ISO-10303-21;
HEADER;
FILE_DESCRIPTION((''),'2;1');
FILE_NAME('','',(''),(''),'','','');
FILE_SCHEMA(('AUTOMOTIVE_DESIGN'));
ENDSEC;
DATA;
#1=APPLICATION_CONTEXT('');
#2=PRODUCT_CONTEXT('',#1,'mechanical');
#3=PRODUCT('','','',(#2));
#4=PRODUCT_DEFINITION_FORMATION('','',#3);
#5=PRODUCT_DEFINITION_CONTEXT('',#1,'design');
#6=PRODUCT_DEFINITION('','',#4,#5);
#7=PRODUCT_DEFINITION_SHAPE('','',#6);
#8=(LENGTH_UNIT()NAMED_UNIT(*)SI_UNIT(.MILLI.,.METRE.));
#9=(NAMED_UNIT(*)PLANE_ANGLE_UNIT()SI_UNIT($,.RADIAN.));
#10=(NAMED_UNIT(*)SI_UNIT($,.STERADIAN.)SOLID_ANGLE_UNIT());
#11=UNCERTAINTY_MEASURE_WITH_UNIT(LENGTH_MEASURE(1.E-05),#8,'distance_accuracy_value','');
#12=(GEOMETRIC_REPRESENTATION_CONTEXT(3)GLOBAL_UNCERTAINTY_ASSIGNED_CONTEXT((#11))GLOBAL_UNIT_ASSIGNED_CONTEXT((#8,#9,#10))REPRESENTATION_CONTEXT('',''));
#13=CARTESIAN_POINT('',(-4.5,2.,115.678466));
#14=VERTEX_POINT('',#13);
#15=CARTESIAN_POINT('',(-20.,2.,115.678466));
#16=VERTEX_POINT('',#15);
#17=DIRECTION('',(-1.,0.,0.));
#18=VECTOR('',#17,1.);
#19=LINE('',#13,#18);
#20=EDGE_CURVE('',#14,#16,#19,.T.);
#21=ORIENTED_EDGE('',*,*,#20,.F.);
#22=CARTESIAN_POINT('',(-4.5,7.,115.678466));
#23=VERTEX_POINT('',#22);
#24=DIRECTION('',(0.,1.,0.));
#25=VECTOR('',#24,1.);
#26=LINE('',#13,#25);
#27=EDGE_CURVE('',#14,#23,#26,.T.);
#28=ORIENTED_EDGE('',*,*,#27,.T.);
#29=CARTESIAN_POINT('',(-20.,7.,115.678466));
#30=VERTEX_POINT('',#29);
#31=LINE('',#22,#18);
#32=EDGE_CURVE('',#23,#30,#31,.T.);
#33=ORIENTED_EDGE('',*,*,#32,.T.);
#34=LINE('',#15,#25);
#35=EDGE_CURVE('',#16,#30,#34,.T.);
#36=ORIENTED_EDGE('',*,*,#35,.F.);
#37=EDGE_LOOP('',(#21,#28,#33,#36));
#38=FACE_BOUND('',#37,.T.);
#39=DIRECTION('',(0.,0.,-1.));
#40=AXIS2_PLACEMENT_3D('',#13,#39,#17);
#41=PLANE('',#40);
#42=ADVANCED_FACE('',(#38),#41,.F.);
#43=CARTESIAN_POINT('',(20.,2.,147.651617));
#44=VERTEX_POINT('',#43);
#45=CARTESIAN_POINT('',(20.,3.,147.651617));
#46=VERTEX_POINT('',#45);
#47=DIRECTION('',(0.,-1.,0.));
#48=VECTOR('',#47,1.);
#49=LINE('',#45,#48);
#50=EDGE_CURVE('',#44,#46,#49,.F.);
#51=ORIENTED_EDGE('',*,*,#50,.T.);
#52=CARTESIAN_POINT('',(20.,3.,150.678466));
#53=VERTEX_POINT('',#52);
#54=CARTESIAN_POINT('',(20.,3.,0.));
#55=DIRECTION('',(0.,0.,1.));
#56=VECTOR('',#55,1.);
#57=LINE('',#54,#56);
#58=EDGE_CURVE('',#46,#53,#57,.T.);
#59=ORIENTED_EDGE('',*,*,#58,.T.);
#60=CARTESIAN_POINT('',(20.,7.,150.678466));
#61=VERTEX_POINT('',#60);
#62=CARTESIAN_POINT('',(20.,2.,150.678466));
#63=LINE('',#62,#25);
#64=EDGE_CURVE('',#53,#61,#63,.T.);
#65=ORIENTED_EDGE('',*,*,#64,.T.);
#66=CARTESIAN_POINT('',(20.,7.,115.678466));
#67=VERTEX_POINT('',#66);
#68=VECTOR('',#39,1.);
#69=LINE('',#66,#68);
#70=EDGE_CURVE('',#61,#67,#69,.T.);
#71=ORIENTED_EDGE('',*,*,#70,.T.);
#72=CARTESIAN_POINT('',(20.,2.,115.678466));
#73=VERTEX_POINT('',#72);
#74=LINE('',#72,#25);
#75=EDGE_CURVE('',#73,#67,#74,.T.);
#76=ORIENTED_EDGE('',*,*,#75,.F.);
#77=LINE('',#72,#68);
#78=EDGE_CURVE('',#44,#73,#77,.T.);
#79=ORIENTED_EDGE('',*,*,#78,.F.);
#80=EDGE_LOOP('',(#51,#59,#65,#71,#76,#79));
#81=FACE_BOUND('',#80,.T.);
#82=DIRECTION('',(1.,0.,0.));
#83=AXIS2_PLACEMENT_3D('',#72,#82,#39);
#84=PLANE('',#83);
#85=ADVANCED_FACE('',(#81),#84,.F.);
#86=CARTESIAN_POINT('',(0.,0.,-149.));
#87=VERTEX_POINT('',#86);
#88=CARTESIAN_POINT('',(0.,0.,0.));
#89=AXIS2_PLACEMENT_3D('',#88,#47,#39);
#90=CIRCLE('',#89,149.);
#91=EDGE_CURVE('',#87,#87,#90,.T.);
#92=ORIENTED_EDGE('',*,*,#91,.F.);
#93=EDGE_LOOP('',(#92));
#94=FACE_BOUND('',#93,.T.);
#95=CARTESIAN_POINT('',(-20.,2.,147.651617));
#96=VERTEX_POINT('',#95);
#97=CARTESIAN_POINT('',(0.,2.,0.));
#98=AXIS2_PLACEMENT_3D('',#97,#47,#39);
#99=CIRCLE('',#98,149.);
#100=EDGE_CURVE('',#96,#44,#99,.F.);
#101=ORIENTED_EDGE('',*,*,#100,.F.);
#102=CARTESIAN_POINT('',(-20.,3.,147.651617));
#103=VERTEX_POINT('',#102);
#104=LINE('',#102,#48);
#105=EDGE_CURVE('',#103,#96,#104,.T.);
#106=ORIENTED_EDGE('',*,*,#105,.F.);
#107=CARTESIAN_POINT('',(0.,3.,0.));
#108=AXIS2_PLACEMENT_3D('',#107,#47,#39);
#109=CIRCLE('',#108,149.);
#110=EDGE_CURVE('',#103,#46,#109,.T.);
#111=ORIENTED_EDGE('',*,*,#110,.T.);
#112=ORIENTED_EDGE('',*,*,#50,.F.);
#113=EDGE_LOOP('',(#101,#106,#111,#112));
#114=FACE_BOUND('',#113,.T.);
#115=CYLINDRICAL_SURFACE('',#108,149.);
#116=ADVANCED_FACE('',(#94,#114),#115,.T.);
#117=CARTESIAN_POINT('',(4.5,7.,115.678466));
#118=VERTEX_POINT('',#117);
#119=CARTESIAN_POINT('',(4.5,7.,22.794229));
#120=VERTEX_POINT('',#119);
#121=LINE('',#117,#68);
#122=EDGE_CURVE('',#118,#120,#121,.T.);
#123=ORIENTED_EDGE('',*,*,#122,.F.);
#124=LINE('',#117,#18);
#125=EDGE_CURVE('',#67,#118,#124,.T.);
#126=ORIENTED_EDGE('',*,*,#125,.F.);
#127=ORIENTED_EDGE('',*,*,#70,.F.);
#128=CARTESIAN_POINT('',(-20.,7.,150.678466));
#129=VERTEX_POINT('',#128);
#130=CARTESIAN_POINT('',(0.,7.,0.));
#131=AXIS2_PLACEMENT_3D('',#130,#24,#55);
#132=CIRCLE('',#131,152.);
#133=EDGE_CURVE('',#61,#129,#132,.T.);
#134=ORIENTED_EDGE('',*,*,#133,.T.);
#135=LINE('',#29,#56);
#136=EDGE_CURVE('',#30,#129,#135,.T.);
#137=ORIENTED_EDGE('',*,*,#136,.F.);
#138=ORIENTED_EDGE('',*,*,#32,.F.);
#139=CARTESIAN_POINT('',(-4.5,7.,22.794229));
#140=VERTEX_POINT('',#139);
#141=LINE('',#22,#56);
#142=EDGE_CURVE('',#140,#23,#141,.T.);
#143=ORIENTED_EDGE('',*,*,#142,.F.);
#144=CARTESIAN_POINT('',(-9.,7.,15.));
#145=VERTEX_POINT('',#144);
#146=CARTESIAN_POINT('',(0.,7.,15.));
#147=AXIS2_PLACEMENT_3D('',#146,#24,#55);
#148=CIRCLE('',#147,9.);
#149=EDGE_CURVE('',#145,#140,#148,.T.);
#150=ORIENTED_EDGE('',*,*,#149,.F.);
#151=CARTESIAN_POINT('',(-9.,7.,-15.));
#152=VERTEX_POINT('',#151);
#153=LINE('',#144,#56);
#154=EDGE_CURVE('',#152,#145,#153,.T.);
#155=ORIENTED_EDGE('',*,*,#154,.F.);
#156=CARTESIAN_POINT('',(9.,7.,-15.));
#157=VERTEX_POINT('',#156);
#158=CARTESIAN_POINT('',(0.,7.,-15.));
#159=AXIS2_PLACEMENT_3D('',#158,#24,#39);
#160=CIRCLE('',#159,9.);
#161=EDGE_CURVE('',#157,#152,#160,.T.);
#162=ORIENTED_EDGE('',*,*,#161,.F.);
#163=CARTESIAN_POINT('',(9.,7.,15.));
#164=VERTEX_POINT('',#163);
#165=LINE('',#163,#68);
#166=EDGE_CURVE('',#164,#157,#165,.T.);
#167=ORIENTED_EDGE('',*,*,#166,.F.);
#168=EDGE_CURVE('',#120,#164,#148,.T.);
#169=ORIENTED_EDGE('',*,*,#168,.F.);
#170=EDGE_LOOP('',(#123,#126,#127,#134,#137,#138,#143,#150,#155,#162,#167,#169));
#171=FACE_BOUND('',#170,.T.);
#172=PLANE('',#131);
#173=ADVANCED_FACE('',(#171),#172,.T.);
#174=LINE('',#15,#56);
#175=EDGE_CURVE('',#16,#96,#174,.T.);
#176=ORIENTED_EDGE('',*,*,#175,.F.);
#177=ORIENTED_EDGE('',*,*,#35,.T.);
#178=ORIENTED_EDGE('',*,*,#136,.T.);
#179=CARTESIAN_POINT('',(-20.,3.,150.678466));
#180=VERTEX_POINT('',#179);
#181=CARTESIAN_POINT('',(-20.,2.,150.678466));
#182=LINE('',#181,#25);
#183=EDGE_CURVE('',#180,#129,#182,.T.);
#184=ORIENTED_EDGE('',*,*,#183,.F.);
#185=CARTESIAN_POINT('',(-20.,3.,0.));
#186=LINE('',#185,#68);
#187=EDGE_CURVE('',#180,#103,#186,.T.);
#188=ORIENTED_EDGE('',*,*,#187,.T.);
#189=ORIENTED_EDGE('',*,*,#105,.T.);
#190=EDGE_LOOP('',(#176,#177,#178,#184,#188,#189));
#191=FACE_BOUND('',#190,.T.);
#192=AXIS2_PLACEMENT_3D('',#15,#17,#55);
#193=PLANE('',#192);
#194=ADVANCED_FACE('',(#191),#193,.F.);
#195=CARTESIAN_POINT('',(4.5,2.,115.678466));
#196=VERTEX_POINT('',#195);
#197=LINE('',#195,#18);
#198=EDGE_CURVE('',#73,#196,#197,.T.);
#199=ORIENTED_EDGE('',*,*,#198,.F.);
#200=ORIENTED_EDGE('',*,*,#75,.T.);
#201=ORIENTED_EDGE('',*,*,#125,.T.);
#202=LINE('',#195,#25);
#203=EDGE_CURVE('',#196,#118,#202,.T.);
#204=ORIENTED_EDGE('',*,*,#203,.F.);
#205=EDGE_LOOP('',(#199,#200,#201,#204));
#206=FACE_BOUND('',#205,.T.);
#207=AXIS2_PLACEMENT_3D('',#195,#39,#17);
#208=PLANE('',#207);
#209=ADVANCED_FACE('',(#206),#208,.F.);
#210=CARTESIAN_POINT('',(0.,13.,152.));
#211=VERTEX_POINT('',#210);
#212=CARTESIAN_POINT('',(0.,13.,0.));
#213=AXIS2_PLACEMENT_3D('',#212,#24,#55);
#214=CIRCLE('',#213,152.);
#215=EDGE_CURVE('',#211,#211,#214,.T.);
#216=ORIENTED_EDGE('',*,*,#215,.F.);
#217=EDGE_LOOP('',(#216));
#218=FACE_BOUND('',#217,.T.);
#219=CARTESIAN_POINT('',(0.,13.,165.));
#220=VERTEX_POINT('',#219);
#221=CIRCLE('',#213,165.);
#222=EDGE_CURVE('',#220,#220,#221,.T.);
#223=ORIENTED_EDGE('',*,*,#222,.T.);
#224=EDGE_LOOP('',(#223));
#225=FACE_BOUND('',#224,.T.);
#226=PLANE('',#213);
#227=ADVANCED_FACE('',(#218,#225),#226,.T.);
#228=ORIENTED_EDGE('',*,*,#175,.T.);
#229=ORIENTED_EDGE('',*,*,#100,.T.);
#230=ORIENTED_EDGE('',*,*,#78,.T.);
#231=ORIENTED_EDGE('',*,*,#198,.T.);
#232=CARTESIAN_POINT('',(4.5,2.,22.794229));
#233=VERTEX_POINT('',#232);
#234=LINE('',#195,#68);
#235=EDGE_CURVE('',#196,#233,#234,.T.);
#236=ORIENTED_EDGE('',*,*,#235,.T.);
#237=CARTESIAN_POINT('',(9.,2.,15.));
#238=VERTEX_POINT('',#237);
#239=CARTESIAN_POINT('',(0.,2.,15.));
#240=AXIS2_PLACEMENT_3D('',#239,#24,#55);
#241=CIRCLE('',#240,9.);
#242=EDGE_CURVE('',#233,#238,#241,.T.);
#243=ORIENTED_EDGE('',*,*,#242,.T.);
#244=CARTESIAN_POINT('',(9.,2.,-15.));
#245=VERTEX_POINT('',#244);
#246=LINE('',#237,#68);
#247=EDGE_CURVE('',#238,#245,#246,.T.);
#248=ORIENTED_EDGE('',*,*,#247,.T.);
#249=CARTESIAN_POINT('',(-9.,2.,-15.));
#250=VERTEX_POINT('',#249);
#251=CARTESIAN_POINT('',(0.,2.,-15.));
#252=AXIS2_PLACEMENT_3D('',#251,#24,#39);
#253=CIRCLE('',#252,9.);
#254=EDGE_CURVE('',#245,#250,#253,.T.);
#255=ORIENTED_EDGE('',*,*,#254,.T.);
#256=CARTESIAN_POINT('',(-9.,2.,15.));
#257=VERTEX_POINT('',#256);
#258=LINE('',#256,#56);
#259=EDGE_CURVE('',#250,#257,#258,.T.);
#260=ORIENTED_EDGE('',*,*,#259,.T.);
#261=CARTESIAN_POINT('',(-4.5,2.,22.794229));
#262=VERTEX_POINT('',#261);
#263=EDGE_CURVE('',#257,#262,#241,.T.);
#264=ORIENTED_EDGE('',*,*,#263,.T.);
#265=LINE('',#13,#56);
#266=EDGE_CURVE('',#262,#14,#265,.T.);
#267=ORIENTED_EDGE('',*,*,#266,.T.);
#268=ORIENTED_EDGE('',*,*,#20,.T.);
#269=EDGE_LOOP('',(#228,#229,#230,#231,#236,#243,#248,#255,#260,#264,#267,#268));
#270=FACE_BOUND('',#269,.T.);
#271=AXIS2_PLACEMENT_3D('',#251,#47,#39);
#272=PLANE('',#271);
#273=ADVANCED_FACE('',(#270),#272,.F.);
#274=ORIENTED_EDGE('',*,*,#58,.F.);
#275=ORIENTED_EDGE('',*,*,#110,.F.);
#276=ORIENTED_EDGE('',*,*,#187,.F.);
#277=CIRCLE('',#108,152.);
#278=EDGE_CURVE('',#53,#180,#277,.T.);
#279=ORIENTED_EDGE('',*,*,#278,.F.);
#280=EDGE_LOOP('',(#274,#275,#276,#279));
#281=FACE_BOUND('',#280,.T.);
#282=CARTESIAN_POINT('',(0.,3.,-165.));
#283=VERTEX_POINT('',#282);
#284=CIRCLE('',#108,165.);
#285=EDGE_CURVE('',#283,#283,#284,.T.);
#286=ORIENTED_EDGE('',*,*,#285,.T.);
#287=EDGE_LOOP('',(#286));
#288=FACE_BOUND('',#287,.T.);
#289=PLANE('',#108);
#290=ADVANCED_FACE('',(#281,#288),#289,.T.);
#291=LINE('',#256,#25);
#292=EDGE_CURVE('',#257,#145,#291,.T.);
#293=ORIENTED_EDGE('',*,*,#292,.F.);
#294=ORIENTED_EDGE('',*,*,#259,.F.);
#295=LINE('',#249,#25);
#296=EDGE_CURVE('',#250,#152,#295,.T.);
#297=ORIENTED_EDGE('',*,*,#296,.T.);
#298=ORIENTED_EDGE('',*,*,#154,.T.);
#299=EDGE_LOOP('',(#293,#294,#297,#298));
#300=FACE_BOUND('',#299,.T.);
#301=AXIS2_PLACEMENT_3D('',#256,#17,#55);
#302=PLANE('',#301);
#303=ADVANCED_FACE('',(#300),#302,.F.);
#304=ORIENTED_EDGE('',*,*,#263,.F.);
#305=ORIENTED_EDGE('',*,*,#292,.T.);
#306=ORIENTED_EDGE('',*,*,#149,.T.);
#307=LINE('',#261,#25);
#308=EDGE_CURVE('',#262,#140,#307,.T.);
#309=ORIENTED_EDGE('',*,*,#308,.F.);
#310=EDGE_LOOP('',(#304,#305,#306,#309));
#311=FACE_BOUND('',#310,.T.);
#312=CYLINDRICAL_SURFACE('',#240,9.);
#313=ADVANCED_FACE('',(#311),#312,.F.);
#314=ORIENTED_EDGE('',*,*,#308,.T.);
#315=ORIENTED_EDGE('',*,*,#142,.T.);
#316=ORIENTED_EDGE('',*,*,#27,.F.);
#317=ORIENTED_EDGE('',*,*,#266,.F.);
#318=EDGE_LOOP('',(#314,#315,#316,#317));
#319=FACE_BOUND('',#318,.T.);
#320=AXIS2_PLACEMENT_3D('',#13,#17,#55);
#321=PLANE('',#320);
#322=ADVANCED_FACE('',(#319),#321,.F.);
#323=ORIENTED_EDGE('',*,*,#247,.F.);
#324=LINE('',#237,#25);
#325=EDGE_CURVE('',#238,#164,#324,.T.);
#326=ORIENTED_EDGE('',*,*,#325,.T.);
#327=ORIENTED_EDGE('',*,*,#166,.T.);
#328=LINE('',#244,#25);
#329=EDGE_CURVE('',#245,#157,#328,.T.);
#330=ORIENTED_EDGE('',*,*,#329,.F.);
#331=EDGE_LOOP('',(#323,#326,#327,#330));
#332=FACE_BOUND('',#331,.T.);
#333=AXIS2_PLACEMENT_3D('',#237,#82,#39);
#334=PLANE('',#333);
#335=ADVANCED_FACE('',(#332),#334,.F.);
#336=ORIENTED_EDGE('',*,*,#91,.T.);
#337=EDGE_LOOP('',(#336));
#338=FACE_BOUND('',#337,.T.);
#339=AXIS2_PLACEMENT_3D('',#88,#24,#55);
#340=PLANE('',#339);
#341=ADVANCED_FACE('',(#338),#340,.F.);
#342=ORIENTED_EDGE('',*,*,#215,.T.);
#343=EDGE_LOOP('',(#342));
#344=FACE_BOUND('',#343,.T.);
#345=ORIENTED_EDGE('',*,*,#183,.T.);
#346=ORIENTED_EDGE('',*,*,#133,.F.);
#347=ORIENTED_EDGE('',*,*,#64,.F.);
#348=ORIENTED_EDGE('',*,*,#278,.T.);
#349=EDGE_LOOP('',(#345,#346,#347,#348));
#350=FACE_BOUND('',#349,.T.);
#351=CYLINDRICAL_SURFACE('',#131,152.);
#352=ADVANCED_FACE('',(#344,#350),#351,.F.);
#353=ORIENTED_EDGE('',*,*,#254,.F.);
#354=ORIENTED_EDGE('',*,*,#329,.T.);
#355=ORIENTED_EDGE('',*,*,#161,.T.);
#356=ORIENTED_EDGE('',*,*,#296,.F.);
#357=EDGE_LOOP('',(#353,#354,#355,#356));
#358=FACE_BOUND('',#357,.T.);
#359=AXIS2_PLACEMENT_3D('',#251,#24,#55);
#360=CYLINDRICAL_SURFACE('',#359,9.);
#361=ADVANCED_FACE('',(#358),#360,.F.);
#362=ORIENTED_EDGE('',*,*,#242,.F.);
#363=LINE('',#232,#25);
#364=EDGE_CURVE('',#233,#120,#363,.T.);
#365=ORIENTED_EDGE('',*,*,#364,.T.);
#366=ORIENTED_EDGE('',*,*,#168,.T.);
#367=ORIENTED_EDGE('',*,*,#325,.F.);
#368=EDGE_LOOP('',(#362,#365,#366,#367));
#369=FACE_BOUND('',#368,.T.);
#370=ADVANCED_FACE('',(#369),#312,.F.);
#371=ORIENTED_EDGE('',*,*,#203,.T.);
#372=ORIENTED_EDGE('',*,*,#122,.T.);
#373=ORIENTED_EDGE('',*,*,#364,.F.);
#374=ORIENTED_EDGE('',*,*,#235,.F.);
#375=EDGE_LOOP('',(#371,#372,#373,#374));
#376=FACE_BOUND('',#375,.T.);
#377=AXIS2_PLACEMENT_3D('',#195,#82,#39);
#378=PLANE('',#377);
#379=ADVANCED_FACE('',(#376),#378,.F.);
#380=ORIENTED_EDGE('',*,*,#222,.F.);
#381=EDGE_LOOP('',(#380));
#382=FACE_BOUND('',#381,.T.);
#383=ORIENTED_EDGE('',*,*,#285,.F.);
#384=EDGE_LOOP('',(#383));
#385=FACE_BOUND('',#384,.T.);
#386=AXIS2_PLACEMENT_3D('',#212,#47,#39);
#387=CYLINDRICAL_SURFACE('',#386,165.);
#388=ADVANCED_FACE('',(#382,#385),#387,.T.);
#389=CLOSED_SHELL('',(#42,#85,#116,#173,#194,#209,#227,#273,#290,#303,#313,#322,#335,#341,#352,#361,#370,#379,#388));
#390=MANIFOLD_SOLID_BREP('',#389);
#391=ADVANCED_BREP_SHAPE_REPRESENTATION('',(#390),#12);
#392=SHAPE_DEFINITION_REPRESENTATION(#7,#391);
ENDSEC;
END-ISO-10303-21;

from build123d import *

# Parameters (mm, degrees)
SKETCH2_R           = 165
BOSS_EXTRUDE1_DEPTH = 13
SKETCH3_R           = 165
SKETCH3_R_2         = 149
CUT_EXTRUDE1_DEPTH  = 3
SKETCH4_R           = 152
CUT_EXTRUDE2_DEPTH  = 6
CUT_EXTRUDE3_DEPTH  = 5


with BuildPart() as part:
    # Sketch2 → Boss-Extrude1 (new body)
    with BuildSketch(Plane(origin=(0, 0, 0), x_dir=(1, 0, 0), z_dir=(0, 1, 0))):
        Circle(SKETCH2_R)
    extrude(amount=BOSS_EXTRUDE1_DEPTH)

    # Sketch3 → Cut-Extrude1 (cut)
    with BuildSketch(Plane.XZ):
        Circle(SKETCH3_R)
        Circle(SKETCH3_R_2, mode=Mode.SUBTRACT)
    extrude(amount=-CUT_EXTRUDE1_DEPTH, mode=Mode.SUBTRACT)

    # Sketch4 → Cut-Extrude2 (cut)
    with BuildSketch(Plane(origin=(0, 13, 0), x_dir=(1, 0, 0), z_dir=(0, 1, 0))):
        Circle(SKETCH4_R)
    extrude(amount=-CUT_EXTRUDE2_DEPTH, mode=Mode.SUBTRACT)

    # Sketch5 → Cut-Extrude3 (cut)
    with BuildSketch(Plane(origin=(0, 7, 0), x_dir=(1, 0, 0), z_dir=(0, 1, 0))):
        with BuildLine():
            Line((-4.5, -115.678465615), (-4.5, -22.794228634))
            ThreePointArc((-4.5, -22.794228634), (-7.794228634, -19.5), (-9, -15))
            Line((-9, -15), (-9, 15))
            ThreePointArc((-9, 15), (0, 24), (9, 15))
            Line((9, 15), (9, -15))
            ThreePointArc((9, -15), (7.794228634, -19.5), (4.5, -22.794228634))
            Line((4.5, -22.794228634), (4.5, -115.678465615))
            Line((4.5, -115.678465615), (20, -115.678465615))
            Line((20, -115.678465615), (20, -150.678465615))
            ThreePointArc((20, -150.678465615), (0, -152), (-20, -150.678465615))
            Line((-20, -150.678465615), (-20, -115.678465615))
            Line((-20, -115.678465615), (-4.5, -115.678465615))
        make_face()
    extrude(amount=-CUT_EXTRUDE3_DEPTH, mode=Mode.SUBTRACT)


solid = part.part
